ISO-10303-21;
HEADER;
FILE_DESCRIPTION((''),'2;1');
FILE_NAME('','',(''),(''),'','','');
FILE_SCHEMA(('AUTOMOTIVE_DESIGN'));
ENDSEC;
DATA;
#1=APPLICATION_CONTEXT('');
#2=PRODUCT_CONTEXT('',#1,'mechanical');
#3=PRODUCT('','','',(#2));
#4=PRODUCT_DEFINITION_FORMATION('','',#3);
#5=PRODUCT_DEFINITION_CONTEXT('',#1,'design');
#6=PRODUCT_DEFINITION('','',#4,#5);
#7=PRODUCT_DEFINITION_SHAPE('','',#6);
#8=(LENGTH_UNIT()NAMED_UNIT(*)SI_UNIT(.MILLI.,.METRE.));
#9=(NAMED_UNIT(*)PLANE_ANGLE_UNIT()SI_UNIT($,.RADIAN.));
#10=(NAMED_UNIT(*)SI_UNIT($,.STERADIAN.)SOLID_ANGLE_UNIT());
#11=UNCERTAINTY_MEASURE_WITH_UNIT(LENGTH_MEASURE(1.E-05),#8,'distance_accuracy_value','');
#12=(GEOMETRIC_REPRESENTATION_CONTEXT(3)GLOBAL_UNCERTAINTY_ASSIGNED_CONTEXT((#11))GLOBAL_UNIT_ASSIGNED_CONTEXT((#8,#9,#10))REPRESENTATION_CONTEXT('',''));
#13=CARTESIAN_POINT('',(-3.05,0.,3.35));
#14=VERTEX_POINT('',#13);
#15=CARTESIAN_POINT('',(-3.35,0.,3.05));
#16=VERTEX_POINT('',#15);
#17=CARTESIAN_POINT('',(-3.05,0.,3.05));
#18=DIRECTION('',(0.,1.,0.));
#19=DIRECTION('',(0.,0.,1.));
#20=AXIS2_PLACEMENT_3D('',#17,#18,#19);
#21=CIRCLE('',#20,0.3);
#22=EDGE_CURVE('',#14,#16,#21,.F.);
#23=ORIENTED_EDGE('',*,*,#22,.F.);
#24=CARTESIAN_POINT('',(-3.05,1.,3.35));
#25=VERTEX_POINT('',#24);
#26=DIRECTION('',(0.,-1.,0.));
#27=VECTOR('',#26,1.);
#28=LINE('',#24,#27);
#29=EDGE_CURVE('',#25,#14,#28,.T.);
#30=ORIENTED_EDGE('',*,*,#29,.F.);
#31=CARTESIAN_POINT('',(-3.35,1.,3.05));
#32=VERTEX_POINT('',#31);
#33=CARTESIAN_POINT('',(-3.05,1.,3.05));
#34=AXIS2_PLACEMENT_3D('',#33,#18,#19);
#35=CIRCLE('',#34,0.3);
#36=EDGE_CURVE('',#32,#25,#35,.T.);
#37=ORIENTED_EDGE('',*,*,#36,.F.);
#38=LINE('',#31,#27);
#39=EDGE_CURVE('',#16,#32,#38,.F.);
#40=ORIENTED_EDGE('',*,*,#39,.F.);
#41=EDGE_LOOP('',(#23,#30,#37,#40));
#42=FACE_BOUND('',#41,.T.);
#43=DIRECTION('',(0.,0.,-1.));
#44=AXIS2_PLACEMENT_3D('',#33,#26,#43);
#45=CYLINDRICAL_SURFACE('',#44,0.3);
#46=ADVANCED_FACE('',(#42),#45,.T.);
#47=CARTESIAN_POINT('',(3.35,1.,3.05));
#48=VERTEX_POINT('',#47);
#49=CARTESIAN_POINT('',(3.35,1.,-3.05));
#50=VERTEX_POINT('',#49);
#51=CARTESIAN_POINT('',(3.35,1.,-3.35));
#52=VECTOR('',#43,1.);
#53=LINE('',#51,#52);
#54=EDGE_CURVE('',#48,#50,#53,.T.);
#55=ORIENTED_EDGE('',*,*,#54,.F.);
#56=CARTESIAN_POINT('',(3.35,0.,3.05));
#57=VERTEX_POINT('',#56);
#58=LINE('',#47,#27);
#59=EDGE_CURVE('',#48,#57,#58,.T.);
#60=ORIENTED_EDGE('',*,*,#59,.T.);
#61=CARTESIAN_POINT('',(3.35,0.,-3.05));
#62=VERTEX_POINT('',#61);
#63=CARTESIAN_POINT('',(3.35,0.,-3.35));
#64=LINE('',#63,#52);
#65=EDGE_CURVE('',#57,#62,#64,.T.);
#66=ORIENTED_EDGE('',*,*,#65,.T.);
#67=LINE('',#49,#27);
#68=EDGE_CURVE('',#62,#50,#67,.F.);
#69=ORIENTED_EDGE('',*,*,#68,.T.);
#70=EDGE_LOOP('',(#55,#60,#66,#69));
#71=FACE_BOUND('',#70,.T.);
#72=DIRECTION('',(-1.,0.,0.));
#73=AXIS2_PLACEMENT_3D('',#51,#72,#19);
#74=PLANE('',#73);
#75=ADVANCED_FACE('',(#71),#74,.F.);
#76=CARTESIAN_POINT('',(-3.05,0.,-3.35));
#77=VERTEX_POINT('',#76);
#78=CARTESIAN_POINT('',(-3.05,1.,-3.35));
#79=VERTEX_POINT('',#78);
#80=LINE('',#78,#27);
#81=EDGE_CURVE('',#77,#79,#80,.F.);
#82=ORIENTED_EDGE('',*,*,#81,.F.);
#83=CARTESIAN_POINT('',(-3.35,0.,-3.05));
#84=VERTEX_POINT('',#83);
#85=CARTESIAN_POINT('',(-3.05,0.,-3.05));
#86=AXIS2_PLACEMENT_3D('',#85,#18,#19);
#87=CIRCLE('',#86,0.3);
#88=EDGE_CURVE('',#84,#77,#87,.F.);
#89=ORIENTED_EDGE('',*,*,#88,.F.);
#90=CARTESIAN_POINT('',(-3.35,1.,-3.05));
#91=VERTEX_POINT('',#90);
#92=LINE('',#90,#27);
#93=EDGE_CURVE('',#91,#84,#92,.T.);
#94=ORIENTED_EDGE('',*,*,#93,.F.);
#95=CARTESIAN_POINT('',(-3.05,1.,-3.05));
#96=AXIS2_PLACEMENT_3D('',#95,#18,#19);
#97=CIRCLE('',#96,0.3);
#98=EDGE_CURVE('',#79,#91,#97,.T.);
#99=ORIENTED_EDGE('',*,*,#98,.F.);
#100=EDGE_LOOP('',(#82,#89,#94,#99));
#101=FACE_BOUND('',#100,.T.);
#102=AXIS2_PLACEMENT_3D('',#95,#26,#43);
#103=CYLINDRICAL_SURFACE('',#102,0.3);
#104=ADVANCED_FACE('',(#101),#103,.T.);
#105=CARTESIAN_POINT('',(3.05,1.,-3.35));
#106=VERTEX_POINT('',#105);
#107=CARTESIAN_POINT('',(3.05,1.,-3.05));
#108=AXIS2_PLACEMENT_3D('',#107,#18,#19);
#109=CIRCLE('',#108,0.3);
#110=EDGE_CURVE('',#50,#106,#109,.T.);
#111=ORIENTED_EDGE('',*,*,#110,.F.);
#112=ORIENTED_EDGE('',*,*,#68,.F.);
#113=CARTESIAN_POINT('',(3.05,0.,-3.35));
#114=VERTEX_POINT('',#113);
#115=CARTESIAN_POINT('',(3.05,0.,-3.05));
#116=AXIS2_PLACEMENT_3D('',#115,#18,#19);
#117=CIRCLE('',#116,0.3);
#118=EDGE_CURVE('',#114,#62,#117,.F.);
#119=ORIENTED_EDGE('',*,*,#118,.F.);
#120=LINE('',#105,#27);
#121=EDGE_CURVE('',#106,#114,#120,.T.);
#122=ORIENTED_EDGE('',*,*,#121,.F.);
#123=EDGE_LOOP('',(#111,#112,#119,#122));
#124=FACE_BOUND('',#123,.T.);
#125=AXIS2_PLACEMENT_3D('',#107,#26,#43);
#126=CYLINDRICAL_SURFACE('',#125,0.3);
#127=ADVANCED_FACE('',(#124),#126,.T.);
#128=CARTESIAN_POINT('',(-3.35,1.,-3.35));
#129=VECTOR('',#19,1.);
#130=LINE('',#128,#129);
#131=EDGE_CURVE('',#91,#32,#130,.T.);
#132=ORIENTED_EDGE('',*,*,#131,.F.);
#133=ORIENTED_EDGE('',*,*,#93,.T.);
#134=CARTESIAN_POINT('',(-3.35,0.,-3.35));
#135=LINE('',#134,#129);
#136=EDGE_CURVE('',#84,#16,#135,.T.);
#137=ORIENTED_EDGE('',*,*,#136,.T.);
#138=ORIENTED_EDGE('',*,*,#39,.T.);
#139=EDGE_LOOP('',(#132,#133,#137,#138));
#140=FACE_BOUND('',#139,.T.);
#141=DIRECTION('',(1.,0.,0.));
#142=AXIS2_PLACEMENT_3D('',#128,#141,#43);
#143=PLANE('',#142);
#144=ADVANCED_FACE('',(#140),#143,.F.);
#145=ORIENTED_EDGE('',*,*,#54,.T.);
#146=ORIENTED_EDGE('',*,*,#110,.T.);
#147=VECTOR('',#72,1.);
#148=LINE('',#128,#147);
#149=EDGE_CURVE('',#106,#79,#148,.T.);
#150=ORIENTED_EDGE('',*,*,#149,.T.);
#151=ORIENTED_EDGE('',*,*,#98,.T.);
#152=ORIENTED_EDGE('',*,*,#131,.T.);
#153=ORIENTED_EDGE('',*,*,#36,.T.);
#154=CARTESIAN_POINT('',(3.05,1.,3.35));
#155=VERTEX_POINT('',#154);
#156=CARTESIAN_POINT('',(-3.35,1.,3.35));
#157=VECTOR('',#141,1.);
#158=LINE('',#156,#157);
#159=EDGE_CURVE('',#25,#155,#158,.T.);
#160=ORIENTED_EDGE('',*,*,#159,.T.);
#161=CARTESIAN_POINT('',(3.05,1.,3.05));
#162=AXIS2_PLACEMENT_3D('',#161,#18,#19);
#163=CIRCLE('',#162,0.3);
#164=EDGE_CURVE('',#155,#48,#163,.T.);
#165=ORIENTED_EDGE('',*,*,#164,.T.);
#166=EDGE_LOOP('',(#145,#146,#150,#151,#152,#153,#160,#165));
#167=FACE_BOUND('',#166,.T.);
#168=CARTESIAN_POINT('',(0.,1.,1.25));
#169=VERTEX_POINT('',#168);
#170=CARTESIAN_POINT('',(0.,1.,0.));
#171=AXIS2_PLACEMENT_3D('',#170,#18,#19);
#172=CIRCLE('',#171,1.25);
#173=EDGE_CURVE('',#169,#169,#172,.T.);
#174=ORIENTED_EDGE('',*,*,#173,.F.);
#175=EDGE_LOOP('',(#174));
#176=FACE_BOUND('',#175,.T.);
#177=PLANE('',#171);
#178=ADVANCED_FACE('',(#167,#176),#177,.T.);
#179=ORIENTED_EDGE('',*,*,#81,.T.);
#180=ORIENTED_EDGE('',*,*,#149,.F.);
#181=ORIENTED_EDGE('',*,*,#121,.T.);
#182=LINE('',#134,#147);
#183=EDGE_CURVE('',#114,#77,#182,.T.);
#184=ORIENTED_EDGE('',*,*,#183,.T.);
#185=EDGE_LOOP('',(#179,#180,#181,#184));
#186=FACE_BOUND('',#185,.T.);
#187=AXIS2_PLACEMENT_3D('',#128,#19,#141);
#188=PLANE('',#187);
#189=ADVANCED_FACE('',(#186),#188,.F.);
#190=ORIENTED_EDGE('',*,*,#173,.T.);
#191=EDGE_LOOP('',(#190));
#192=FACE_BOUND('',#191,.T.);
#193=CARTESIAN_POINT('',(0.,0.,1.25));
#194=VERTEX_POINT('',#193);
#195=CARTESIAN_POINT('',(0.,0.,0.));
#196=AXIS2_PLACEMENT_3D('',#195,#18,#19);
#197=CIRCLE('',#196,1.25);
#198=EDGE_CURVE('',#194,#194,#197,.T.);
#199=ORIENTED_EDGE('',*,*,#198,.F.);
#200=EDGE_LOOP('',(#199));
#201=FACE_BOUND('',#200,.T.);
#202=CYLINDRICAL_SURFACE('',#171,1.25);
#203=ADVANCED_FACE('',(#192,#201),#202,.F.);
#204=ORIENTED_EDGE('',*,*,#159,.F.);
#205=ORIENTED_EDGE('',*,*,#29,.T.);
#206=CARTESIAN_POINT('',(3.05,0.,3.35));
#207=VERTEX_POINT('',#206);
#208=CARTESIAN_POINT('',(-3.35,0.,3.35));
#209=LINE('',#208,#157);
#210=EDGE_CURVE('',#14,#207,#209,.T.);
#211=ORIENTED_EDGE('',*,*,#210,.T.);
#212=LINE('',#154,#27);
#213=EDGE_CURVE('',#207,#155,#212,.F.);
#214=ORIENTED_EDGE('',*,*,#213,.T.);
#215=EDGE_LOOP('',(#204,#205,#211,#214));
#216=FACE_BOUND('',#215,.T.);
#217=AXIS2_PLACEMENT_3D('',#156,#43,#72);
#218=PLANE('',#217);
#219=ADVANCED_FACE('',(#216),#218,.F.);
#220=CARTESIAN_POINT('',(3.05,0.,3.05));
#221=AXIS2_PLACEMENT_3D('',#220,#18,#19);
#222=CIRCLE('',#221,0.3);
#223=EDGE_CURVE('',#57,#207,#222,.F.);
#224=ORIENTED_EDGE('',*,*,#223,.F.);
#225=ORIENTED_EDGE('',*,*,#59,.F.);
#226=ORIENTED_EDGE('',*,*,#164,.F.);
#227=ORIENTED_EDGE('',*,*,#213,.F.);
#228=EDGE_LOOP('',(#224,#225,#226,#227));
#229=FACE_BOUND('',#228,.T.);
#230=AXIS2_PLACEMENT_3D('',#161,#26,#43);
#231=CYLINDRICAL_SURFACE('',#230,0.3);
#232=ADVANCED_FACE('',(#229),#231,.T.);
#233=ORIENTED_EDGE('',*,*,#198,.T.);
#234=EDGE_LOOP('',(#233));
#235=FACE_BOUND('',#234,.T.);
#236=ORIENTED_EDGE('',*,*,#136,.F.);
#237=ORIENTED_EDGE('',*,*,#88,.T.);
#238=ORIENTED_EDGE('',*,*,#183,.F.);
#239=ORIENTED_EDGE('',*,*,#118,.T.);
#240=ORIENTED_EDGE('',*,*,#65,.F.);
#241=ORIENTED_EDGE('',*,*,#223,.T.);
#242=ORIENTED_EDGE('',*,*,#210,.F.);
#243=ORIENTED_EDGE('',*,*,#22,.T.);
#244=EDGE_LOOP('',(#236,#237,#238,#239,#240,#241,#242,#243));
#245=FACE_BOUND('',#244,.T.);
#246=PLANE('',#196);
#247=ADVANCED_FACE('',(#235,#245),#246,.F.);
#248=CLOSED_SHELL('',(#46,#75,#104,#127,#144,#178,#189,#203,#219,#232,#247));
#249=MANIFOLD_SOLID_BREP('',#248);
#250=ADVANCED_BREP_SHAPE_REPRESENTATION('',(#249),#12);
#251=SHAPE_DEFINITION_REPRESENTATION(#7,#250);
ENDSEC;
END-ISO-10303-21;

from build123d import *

# Parameters (mm, degrees)
SKETCH1_W             = 6.7
SKETCH1_H             = 6.7
BOSS_EXTRUDE1_DEPTH   = 1
M3X0_5_TAPPED_HOLE1_D = 2.5
FILLET1_R             = 0.3


with BuildPart() as part:
    # Sketch1 → Boss-Extrude1 (new body)
    with BuildSketch(Plane(origin=(0, 0, 0), x_dir=(1, 0, 0), z_dir=(0, 1, 0))):
        Rectangle(SKETCH1_W, SKETCH1_H)
    extrude(amount=BOSS_EXTRUDE1_DEPTH)

    # M3x0.5 Tapped Hole1 (through all)
    with Locations(Plane(origin=(0, 1, 0), x_dir=(1, 0, 0), z_dir=(0, 1, 0))):
        with Locations((0, 0)):
            Hole(M3X0_5_TAPPED_HOLE1_D / 2)

    # Fillet1
    fillet1_edges = [part.edges().sort_by_distance(p)[0] for p in [
        (3.35, 0.5, 3.35),
        (-3.35, 0.5, 3.35),
        (-3.35, 0.5, -3.35),
        (3.35, 0.5, -3.35),
    ]]
    fillet(fillet1_edges, radius=FILLET1_R)


solid = part.part
